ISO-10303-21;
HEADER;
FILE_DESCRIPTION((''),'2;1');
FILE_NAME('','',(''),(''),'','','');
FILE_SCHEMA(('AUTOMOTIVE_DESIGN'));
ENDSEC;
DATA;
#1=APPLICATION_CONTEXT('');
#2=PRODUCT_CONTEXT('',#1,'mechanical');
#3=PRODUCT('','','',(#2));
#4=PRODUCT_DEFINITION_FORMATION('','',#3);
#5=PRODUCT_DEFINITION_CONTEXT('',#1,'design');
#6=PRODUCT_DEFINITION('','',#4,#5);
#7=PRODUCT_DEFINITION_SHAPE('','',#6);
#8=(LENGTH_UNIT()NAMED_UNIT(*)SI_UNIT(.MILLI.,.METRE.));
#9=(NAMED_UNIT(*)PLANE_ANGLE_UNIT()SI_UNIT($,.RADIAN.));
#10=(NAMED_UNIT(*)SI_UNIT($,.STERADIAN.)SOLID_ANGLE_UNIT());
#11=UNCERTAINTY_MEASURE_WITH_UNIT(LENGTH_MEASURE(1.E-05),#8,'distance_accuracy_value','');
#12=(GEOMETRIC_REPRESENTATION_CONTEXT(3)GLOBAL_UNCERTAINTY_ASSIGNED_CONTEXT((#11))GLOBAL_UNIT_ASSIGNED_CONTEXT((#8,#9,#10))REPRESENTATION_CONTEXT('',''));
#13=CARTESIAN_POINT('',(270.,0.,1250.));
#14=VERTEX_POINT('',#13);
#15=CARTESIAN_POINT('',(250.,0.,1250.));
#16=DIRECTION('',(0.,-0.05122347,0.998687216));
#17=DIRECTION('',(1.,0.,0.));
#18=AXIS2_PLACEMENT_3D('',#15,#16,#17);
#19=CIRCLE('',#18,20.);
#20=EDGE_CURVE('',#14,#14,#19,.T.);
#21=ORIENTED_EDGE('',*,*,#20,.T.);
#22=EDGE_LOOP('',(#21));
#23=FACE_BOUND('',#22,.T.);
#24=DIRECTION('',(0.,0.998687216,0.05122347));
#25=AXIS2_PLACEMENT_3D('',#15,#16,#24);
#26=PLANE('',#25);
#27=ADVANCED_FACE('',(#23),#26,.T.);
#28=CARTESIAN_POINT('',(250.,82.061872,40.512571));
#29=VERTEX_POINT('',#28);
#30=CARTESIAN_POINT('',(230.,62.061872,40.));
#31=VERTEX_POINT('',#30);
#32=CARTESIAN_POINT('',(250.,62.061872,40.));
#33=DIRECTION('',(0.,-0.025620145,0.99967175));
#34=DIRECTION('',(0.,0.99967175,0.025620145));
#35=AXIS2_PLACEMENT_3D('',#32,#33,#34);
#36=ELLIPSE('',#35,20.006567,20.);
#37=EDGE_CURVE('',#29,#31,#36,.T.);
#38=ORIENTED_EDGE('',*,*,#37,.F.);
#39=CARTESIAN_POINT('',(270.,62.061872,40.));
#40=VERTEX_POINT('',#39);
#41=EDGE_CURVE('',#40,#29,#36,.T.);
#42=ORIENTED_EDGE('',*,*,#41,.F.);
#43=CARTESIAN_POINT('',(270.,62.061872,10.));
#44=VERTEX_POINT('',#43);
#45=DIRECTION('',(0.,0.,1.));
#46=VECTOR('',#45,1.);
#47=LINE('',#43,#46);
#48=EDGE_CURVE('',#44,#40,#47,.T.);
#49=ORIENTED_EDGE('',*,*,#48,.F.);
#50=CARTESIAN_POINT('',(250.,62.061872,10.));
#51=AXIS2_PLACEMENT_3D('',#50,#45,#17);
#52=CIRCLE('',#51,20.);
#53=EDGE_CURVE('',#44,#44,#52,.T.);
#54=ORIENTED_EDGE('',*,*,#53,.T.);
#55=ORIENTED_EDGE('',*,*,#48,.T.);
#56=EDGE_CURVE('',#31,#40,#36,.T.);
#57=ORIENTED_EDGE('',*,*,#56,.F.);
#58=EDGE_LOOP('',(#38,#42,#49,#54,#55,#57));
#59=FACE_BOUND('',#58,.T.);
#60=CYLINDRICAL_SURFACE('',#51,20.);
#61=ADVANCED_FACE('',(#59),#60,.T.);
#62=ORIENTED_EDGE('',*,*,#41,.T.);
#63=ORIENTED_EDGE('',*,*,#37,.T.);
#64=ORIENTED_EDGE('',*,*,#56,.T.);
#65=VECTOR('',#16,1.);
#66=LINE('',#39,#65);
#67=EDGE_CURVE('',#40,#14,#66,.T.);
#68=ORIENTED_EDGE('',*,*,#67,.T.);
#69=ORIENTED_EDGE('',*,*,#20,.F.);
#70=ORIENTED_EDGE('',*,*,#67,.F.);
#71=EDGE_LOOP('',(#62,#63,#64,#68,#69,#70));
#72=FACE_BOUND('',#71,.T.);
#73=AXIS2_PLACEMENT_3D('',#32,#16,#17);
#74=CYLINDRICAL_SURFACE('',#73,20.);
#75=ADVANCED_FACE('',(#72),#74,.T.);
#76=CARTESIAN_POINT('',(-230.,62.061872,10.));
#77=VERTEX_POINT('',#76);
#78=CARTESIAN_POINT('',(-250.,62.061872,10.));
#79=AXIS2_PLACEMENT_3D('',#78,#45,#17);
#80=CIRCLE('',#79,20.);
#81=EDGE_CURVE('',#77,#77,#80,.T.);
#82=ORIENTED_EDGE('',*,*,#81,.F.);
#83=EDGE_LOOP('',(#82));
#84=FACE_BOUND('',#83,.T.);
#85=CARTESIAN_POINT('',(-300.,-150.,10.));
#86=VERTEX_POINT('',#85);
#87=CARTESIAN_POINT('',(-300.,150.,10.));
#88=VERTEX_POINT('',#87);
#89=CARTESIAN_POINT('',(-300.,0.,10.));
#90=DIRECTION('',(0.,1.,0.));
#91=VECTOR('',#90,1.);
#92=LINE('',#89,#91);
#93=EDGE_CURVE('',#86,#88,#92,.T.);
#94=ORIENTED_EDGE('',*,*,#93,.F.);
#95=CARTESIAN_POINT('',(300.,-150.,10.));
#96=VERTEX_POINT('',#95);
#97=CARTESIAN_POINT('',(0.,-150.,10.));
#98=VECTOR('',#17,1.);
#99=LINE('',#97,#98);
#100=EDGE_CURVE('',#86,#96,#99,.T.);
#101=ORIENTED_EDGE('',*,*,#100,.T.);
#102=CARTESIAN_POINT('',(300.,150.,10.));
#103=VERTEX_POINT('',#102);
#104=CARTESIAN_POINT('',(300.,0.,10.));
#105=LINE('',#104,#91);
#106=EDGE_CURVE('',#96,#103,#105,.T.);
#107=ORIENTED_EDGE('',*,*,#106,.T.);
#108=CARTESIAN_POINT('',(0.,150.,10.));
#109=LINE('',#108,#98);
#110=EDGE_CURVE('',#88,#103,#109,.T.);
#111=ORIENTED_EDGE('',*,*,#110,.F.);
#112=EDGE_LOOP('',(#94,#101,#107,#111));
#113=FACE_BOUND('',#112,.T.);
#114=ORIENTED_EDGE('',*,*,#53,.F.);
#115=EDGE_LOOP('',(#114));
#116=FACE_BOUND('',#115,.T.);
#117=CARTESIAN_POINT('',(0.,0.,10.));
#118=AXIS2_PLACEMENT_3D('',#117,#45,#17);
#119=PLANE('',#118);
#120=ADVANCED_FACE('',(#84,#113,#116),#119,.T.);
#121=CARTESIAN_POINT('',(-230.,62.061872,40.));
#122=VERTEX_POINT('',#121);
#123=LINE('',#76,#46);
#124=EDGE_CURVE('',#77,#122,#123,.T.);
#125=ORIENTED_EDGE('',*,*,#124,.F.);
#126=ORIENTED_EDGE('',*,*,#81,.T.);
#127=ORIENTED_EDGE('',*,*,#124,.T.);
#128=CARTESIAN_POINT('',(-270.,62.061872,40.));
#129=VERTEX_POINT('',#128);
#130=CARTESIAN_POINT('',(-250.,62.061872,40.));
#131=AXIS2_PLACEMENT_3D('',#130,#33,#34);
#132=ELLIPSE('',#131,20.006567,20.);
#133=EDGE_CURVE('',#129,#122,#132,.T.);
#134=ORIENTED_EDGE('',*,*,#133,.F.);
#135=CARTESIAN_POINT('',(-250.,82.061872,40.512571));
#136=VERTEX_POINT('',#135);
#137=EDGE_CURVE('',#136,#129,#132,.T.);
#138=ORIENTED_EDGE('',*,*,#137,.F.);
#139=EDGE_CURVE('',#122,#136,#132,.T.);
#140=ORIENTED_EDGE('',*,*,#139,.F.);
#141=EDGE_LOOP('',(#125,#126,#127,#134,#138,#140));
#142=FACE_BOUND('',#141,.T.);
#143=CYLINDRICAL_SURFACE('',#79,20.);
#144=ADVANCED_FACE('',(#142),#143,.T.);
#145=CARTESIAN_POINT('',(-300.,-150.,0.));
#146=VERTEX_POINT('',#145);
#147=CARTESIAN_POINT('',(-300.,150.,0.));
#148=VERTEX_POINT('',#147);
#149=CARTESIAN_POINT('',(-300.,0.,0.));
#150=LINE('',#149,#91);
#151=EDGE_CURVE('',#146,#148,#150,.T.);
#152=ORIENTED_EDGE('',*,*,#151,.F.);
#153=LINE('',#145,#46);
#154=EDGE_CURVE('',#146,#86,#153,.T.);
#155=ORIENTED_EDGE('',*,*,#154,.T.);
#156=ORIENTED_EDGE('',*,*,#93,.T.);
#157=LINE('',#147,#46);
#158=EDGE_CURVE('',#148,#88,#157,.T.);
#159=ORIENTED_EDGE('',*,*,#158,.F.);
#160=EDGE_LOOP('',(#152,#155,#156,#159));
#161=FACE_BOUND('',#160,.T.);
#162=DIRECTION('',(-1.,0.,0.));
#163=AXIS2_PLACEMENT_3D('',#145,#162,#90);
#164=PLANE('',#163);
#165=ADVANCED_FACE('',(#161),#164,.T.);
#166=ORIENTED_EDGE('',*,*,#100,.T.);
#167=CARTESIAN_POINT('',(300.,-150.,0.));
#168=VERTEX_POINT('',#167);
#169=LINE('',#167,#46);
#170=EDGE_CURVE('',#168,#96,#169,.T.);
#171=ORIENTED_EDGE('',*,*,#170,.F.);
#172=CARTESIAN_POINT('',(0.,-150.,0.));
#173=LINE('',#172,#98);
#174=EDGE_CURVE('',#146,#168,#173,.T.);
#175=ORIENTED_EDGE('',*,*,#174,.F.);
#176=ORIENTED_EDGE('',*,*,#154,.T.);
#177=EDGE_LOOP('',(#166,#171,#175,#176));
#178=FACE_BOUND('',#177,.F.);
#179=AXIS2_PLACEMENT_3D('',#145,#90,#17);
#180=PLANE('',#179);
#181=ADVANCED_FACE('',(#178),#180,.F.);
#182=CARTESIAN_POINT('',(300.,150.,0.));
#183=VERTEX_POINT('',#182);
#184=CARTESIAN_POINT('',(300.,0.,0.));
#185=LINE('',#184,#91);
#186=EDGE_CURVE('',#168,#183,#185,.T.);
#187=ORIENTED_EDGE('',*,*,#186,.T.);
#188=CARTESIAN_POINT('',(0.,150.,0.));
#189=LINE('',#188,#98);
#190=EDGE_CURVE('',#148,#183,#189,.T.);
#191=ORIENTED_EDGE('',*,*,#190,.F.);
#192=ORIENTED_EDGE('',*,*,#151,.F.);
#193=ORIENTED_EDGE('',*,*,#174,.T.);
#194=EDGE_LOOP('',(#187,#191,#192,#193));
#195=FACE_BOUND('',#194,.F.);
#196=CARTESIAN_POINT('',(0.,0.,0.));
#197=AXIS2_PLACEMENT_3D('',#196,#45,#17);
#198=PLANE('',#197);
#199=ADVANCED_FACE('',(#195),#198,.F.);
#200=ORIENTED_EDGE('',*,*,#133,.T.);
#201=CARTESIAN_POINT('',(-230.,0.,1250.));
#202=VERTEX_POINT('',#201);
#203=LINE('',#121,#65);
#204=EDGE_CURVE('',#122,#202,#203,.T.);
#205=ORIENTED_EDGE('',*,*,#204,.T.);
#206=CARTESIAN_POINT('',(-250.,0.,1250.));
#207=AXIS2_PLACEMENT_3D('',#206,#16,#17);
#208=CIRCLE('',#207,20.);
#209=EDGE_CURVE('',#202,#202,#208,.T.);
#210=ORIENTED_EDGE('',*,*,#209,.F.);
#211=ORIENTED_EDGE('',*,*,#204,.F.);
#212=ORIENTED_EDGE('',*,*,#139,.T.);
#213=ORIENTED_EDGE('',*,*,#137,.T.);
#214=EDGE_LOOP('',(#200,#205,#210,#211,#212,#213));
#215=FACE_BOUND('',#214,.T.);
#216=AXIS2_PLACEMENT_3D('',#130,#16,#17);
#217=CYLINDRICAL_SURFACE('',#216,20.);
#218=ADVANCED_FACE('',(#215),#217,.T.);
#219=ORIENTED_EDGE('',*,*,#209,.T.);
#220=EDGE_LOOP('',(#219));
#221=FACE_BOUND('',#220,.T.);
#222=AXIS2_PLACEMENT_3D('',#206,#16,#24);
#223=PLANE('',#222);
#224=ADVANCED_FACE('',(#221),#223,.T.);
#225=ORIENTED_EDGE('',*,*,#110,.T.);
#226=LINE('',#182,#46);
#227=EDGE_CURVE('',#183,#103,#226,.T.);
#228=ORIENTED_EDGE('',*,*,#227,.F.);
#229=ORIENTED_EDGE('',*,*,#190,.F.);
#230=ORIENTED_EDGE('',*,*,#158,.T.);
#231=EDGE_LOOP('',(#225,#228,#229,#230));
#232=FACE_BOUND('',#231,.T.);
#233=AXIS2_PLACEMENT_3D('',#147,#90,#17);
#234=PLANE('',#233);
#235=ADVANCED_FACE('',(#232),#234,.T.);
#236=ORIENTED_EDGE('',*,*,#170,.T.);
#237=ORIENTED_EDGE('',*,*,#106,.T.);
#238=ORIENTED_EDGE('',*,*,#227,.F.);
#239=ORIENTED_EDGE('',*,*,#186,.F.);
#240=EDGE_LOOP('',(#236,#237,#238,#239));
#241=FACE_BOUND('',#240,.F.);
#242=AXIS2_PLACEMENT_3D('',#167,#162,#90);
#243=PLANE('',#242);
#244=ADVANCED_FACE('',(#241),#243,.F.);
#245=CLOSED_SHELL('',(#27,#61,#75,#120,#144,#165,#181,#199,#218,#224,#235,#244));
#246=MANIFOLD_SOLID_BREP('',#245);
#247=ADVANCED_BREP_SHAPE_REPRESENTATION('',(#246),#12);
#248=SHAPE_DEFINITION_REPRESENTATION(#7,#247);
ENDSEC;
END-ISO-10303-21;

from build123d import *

# Parameters (mm, degrees)
F0_W     = 600
F0_H     = 300
F1_DEPTH = 10
F2_R     = 20


with BuildPart() as f1:
    # F0 (on Top) → F1 (new body)
    with BuildSketch(Plane.XY):
        Rectangle(F0_W, F0_H)
    extrude(amount=F1_DEPTH)

    # F5: sweep along a path in F4
    with BuildLine(Plane.YZ.offset(250)) as f5_path:
        Line((62.0618723333, 10), (62.0618723333, 40))
        Line((62.0618723333, 40), (0, 1250))
    # F2 (on face) → F5 (sweep)
    with BuildSketch(Plane.XY.offset(10)):
        with Locations((250, 62.0618723333)):
            Circle(F2_R)
        with BuildLine():
            ThreePointArc((-270, 62.0618723333), (-250, 42.0618723333), (-230, 62.0618723333))
            ThreePointArc((-230, 62.0618723333), (-250, 82.0618723333), (-270, 62.0618723333))
        make_face()
    sweep(path=f5_path.line, transition=Transition.RIGHT)


solid = f1.part
